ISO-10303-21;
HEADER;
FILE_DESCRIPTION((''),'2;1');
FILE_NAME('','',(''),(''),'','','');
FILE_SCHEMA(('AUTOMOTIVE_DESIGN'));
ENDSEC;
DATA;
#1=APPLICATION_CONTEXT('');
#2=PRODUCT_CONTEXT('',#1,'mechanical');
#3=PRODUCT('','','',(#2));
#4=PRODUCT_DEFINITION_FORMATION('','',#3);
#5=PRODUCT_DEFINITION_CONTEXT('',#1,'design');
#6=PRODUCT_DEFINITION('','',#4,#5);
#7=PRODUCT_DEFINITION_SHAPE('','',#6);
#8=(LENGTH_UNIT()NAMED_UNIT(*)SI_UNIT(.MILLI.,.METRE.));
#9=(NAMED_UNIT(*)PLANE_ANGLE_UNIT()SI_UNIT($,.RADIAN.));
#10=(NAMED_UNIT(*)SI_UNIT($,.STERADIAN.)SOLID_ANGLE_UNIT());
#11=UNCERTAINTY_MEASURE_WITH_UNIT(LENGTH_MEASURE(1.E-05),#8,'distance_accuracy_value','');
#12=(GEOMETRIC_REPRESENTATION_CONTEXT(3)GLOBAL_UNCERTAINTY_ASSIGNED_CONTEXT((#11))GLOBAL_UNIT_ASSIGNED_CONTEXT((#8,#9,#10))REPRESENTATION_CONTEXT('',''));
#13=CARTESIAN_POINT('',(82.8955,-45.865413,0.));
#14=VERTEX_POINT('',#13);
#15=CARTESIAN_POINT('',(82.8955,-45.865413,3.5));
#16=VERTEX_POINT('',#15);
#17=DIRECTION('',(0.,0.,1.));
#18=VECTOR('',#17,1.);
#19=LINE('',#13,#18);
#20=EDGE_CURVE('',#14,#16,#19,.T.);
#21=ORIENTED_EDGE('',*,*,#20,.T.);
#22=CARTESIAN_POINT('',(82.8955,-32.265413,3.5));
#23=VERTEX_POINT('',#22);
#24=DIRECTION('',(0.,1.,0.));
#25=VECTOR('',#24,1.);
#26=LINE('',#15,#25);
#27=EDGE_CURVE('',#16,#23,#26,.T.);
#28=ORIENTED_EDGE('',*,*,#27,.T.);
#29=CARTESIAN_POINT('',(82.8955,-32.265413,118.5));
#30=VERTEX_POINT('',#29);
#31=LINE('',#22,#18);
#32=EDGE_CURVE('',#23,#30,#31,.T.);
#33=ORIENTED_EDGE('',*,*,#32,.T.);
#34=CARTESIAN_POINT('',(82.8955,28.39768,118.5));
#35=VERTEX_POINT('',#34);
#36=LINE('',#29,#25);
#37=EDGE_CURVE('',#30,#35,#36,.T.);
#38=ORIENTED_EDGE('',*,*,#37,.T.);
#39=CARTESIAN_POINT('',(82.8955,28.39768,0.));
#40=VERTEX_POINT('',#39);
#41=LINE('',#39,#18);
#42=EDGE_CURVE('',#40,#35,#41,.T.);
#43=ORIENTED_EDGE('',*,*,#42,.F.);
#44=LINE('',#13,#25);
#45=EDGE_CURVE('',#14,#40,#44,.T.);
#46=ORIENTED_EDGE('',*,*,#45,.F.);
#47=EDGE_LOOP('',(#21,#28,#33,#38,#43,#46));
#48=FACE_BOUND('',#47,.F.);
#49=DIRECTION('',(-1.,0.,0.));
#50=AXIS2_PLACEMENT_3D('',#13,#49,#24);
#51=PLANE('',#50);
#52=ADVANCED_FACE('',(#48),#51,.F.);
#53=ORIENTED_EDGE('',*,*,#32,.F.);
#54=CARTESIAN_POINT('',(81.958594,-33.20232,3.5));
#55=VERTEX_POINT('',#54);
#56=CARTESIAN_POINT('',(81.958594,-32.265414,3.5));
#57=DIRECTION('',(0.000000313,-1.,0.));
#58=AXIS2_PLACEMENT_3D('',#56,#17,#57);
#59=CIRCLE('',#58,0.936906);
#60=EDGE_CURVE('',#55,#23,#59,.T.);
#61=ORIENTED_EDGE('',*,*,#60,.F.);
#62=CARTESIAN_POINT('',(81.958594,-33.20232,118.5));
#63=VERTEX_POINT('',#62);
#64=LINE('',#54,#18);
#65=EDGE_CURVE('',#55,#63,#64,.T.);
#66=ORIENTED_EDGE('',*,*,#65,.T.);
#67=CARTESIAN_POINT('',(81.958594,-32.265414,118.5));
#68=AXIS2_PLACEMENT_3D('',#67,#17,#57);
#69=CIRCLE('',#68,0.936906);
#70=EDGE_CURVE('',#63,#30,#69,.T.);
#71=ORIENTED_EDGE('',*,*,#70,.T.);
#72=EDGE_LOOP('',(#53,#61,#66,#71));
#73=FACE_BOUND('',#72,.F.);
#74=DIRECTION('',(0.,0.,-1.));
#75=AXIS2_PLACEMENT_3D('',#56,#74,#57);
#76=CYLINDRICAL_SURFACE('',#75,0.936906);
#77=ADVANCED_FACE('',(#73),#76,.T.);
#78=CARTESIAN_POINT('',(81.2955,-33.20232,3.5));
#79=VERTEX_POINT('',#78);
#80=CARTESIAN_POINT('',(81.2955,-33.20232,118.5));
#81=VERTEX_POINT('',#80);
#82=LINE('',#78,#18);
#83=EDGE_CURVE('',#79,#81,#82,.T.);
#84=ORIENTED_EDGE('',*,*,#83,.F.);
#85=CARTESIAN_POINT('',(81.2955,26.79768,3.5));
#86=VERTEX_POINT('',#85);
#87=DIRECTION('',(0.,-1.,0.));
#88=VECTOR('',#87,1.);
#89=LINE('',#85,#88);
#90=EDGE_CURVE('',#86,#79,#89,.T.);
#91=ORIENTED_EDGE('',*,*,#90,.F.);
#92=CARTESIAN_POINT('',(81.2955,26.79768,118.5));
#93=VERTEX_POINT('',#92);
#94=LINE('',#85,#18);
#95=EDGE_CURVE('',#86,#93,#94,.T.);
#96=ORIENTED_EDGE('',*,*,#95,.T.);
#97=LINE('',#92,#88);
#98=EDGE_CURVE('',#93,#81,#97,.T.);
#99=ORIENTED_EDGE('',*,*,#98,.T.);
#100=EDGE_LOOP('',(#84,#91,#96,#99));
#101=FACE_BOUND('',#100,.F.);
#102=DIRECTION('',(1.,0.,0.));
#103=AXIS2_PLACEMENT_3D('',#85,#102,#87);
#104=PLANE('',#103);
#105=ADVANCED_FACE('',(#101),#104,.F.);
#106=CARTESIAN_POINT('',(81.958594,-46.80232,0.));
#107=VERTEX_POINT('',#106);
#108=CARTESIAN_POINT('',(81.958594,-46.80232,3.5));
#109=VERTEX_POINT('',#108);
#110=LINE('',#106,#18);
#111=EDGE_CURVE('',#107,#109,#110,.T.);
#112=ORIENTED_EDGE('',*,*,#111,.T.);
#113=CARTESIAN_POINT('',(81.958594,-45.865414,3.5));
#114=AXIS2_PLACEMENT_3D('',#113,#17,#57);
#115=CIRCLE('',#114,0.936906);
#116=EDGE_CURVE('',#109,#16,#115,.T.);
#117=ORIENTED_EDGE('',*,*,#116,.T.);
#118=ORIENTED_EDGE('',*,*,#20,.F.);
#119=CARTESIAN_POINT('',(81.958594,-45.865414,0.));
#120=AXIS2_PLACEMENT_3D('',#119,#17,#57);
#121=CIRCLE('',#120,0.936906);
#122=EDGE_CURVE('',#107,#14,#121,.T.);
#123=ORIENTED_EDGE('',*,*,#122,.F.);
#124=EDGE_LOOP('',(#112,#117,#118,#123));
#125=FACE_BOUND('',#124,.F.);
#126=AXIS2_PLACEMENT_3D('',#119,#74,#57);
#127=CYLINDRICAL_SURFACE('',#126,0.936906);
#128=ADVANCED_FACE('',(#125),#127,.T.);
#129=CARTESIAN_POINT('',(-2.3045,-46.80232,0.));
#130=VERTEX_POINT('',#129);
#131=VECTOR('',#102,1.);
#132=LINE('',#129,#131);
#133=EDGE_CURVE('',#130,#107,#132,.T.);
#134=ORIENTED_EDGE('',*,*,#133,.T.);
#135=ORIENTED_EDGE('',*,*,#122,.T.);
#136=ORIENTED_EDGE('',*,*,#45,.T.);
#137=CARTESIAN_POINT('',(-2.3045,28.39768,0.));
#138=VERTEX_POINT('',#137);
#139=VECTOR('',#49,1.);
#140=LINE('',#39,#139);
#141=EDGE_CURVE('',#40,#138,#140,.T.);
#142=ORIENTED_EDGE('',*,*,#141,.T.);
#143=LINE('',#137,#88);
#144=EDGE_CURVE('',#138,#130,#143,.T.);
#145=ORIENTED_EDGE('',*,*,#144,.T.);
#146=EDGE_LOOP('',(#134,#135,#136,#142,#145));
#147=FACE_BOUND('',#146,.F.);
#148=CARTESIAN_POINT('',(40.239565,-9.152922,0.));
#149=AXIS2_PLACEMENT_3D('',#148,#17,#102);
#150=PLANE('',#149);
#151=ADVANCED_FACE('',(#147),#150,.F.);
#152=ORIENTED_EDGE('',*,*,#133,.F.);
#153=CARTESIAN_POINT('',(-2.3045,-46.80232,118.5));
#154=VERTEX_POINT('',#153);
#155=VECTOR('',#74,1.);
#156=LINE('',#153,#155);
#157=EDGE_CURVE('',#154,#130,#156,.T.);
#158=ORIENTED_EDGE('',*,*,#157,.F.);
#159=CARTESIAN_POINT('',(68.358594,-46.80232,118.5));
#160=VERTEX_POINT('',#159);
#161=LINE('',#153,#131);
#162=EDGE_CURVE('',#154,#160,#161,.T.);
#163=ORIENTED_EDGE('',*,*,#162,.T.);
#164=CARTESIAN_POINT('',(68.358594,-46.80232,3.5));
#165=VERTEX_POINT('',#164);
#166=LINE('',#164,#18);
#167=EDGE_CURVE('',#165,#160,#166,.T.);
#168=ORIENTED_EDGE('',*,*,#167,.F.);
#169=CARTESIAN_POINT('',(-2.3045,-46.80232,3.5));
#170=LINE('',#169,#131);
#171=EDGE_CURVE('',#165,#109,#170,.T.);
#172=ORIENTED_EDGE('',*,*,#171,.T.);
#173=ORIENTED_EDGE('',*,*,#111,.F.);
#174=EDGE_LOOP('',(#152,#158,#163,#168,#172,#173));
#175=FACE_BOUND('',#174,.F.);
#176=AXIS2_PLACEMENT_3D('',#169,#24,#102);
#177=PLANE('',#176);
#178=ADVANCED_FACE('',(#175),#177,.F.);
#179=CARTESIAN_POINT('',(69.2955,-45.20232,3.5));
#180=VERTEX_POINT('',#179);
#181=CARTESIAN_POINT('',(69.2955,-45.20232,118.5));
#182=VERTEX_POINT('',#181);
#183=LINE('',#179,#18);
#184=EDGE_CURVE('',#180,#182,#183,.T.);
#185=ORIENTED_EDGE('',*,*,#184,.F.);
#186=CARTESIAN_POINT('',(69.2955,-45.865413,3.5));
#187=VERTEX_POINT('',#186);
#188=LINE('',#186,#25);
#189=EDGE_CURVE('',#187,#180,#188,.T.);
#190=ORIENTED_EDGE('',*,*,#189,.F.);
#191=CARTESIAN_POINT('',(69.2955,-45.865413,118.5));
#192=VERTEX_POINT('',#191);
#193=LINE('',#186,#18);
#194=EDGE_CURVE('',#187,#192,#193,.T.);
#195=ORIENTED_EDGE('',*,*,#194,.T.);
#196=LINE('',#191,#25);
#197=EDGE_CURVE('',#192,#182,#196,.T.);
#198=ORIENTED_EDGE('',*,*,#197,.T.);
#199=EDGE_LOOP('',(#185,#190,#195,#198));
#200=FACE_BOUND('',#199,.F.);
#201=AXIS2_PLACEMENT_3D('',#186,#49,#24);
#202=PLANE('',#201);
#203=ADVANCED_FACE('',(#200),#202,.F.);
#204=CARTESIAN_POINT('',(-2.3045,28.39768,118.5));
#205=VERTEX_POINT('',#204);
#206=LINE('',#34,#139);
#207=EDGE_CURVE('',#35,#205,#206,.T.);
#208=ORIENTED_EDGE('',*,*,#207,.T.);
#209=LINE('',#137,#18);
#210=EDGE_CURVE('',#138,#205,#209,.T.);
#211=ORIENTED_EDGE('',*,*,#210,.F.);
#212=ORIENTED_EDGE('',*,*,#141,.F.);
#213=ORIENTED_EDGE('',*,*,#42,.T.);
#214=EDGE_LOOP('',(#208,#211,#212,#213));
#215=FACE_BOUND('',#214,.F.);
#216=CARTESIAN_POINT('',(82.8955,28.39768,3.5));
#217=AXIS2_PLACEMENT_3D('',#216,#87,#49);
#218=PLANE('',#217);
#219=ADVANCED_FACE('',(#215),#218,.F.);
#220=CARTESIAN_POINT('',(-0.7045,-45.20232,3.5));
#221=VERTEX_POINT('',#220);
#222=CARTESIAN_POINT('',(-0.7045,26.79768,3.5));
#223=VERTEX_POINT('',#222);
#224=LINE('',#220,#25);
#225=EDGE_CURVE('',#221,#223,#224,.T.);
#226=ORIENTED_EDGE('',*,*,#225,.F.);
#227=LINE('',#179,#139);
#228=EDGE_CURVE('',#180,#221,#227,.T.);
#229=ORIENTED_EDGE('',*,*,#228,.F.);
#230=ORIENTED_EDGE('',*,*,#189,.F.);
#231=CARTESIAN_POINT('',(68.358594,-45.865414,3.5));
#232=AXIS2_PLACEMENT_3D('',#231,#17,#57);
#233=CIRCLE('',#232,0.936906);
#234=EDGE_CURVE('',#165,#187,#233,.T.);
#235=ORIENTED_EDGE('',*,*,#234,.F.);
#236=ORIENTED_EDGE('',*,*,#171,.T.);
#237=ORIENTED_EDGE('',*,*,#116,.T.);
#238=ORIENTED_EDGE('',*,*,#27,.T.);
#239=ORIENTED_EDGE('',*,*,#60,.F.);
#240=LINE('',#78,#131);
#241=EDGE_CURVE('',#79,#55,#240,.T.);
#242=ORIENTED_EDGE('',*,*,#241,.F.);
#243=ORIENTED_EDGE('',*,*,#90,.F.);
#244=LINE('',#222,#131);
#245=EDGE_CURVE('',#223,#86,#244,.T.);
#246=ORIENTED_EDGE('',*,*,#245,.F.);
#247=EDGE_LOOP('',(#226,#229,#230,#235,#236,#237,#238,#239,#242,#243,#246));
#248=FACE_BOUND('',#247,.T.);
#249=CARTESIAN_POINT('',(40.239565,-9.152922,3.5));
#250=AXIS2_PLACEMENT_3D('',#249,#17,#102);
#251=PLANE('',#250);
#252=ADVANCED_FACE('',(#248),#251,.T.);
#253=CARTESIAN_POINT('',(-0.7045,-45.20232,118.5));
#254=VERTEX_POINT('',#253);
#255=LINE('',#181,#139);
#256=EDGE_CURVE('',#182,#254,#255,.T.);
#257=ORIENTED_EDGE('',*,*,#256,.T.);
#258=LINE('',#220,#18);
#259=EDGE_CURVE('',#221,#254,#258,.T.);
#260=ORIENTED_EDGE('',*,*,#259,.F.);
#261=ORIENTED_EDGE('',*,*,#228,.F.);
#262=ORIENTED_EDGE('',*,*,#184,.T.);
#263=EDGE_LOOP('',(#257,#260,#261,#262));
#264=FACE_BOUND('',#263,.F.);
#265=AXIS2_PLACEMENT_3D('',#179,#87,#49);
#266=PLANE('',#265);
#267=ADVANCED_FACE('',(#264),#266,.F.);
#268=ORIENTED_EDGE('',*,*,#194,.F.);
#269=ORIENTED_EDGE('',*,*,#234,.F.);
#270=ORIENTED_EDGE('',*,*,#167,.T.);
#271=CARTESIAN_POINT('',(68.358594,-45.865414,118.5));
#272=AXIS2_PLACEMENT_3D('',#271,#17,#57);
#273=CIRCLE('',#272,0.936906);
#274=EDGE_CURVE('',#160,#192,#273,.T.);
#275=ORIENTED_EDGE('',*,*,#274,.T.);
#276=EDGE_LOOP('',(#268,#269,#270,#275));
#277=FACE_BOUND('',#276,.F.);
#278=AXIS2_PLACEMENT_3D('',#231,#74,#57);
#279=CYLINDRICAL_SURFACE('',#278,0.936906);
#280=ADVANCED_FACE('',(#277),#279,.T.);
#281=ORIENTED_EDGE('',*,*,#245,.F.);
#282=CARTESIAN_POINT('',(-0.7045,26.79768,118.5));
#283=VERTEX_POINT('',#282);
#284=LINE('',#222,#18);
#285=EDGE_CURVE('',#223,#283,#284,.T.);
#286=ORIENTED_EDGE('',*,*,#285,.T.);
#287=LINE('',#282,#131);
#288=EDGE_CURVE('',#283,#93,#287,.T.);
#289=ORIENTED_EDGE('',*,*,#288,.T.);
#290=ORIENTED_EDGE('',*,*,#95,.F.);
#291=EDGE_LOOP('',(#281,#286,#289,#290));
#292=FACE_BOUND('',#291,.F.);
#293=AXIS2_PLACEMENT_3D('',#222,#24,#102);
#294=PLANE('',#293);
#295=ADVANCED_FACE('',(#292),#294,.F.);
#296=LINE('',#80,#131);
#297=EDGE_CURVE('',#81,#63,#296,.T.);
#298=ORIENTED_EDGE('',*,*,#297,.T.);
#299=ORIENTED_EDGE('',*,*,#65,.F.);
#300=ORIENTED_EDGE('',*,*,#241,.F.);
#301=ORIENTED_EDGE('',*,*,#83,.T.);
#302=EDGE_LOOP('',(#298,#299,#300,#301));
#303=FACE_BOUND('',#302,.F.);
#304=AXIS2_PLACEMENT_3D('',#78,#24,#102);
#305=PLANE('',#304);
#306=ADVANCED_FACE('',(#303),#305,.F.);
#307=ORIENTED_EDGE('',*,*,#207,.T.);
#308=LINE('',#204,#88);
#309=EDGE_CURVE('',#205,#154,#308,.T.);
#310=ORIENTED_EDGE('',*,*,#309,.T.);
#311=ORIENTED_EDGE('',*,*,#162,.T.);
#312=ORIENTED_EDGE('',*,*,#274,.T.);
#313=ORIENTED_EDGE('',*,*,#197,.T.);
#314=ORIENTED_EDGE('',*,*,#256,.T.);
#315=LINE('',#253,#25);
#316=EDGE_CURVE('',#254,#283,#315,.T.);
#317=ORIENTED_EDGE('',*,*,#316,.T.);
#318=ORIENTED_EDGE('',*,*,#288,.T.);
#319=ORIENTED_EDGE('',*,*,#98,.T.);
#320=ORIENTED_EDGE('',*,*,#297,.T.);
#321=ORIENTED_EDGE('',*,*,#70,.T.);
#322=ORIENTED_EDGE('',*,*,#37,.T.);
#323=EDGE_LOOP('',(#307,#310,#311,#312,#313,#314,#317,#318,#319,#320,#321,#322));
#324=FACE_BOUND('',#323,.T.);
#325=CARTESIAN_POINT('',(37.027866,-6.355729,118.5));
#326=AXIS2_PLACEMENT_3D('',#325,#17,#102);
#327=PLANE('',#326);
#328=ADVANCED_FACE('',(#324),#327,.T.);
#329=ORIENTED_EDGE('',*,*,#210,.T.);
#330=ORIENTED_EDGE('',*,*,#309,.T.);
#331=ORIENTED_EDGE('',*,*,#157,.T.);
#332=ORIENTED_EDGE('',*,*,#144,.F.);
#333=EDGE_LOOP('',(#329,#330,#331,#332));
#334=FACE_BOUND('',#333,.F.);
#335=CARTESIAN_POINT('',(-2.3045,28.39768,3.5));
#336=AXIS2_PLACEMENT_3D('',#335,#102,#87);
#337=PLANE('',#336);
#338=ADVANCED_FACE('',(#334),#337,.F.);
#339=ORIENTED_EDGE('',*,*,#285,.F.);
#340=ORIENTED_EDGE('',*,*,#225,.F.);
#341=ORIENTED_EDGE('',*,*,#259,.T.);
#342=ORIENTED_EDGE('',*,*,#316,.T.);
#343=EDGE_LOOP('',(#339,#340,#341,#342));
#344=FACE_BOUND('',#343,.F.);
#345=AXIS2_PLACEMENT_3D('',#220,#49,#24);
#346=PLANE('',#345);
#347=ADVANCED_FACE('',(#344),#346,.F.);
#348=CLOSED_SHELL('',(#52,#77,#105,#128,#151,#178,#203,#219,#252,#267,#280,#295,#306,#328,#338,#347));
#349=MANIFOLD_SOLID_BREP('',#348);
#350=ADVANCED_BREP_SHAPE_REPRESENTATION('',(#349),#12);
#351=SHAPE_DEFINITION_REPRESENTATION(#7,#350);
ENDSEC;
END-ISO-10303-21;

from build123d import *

# Parameters (mm, degrees)
F1_DEPTH = 3.5
F3_DEPTH = 115


with BuildPart() as f1:
    # F0 (on Top) → F1 (new body)
    with BuildSketch(Plane.XY):
        with BuildLine():
            Line((82.8955, 28.39768), (-2.3045, 28.39768))
            Line((-2.3045, 28.39768), (-2.3045, -46.80232))
            Line((-2.3045, -46.80232), (81.958594, -46.80232))
            ThreePointArc((81.958594, -46.80232), (82.621087, -46.527906), (82.8955, -45.865413))
            Line((82.8955, -45.865413), (82.8955, 28.39768))
        make_face()
    extrude(amount=F1_DEPTH)

    # F2 (on face) → F3 (join)
    with BuildSketch(Plane.XY.offset(3.5)):
        with BuildLine():
            Line((69.2955, -45.865413), (69.2955, -45.20232))
            Line((69.2955, -45.20232), (-0.7045, -45.20232))
            Line((-0.7045, -45.20232), (-0.7045, 26.79768))
            Line((-0.7045, 26.79768), (81.2955, 26.79768))
            Line((81.2955, 26.79768), (81.2955, -33.20232))
            Line((81.2955, -33.20232), (81.958594, -33.20232))
            ThreePointArc((81.958594, -33.20232), (82.621087, -32.927906), (82.8955, -32.265413))
            Line((82.8955, -32.265413), (82.8955, 28.39768))
            Line((82.8955, 28.39768), (-2.3045, 28.39768))
            Line((-2.3045, 28.39768), (-2.3045, -46.80232))
            Line((-2.3045, -46.80232), (68.358594, -46.80232))
            ThreePointArc((68.358594, -46.80232), (69.021087, -46.527906), (69.2955, -45.865413))
        make_face()
    extrude(amount=F3_DEPTH)


solid = f1.part
